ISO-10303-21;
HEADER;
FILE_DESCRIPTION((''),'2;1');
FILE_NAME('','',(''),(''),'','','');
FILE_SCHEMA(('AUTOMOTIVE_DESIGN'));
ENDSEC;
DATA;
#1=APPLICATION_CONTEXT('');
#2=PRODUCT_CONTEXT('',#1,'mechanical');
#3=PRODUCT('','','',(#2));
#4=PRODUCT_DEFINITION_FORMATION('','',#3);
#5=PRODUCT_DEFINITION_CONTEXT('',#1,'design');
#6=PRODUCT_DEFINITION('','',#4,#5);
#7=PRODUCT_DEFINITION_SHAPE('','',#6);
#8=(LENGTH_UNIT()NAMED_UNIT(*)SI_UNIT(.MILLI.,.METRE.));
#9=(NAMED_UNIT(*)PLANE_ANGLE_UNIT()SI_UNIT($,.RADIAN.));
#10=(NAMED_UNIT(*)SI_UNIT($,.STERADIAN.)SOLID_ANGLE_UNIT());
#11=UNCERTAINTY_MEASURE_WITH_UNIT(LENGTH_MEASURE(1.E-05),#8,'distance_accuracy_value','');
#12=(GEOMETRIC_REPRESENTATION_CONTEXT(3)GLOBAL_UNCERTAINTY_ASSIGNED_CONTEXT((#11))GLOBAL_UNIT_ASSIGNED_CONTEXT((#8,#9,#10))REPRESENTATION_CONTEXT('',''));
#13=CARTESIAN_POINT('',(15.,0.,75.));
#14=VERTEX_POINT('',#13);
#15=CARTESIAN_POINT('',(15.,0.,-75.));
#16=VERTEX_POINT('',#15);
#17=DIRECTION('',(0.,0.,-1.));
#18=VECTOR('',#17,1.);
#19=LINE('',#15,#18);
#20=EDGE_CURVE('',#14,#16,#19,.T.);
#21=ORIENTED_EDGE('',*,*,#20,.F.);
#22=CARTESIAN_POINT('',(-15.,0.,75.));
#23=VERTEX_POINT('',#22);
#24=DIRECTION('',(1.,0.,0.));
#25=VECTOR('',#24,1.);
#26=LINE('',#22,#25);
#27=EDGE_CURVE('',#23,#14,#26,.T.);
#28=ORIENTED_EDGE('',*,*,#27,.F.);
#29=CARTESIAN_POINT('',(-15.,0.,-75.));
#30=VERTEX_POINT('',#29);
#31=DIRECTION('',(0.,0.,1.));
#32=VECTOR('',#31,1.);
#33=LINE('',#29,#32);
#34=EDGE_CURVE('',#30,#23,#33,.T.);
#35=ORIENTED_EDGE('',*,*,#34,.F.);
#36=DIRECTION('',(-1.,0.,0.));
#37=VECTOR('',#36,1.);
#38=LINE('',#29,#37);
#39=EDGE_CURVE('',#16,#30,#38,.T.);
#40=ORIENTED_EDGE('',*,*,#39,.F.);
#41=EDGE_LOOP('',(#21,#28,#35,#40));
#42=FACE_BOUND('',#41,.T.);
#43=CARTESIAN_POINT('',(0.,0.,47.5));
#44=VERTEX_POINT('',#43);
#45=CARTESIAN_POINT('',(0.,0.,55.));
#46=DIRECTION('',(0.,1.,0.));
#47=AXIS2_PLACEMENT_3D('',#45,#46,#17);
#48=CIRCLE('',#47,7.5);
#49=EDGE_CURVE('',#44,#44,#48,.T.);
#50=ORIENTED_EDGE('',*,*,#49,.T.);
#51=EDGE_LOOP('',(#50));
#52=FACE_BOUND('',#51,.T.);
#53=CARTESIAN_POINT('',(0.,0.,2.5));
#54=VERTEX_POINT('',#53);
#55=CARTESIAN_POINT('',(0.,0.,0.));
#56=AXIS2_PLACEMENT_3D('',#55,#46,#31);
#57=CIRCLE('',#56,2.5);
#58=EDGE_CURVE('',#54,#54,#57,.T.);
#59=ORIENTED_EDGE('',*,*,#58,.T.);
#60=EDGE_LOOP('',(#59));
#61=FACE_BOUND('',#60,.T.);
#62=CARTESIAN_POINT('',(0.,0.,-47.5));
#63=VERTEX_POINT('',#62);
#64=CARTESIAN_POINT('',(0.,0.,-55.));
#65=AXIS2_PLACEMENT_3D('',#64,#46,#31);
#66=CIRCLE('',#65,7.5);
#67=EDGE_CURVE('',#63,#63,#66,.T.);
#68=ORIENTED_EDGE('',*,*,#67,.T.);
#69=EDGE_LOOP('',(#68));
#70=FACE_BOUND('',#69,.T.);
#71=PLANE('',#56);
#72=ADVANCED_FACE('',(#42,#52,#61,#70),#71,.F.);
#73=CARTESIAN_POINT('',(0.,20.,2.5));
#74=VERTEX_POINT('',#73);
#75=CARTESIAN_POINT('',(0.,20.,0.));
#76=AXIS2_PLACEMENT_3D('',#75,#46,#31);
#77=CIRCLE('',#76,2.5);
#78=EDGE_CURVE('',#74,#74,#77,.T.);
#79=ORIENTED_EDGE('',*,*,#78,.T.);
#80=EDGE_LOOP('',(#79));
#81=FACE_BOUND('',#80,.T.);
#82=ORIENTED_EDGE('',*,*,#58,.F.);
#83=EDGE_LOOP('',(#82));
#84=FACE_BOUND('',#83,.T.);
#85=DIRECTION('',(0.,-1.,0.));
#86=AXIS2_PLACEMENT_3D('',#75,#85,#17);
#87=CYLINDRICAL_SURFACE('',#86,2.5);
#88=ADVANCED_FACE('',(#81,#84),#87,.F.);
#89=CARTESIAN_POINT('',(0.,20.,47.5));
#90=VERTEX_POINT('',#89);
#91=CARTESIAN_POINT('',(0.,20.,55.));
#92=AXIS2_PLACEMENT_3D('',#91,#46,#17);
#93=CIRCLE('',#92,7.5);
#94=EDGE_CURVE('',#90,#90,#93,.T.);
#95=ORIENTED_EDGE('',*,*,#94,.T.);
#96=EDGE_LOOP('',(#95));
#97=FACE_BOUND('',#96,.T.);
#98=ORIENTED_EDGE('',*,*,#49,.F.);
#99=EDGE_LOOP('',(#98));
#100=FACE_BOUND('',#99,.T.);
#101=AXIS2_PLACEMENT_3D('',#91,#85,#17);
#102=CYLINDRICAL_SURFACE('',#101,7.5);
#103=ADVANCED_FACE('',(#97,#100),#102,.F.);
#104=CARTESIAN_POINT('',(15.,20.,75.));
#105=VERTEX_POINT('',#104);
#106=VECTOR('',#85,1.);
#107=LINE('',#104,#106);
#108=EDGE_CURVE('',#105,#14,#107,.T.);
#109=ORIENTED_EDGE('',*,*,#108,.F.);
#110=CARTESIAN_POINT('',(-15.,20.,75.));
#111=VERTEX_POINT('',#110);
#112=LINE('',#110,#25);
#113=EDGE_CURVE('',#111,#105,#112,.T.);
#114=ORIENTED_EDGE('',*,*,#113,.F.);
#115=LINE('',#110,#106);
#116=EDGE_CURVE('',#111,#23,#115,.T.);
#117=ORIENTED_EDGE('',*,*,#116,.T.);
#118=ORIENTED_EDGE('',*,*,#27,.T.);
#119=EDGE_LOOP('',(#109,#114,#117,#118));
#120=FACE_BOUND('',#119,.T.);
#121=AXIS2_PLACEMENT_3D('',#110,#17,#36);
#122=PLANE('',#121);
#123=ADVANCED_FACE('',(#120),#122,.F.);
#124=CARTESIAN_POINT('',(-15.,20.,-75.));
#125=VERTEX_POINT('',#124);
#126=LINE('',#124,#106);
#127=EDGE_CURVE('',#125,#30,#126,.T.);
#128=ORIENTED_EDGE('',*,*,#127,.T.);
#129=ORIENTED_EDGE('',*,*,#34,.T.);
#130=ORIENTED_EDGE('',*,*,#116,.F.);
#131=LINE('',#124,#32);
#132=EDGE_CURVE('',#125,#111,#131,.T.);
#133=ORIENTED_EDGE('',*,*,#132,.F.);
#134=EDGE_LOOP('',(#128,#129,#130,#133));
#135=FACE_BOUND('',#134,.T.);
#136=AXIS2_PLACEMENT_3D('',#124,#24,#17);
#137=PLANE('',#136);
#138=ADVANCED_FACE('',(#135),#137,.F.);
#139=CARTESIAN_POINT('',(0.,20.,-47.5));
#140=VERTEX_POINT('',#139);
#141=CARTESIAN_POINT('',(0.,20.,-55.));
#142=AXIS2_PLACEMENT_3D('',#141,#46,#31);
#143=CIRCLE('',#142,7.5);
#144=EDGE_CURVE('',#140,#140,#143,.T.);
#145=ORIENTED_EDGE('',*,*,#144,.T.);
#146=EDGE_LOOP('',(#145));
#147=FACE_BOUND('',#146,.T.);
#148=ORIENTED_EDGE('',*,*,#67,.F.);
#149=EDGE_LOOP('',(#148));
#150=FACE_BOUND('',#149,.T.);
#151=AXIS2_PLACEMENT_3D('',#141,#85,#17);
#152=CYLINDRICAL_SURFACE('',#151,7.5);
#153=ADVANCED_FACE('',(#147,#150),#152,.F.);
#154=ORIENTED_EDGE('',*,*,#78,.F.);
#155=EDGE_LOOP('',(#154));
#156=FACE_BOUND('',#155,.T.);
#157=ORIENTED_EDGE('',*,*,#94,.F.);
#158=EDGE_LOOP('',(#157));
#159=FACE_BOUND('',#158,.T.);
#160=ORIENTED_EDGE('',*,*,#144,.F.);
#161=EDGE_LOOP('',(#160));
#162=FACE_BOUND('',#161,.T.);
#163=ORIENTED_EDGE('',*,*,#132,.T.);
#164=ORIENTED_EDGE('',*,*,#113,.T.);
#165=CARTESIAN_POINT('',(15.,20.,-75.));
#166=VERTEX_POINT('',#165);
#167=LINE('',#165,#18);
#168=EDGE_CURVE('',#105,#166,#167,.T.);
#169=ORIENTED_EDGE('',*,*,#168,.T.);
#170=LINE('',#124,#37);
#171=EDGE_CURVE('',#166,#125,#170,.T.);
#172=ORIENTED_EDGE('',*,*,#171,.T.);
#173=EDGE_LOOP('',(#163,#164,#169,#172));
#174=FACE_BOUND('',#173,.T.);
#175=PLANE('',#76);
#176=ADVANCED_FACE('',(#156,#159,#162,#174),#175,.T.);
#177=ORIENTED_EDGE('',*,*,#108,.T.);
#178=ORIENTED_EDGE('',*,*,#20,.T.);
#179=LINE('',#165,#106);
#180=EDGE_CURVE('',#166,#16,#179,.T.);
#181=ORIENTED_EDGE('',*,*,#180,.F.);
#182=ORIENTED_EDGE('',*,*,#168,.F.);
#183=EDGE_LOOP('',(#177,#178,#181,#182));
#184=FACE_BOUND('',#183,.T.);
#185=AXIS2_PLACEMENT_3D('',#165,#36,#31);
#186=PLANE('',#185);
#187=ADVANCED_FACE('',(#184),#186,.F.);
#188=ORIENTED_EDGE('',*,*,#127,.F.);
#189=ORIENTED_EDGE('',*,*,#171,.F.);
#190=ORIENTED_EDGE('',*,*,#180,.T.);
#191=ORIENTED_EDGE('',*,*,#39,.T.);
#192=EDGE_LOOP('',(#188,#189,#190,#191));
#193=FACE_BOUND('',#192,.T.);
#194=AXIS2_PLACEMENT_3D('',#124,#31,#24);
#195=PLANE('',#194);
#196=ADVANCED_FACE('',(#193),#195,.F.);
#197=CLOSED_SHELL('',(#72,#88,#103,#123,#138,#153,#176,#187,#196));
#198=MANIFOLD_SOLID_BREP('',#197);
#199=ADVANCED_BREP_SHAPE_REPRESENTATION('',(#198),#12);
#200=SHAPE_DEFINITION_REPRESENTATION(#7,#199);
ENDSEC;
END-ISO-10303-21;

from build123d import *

# Parameters (mm, degrees)
SKETCH1_W           = 30
SKETCH1_H           = 150
SKETCH1_R           = 7.5
SKETCH1_R_2         = 2.5
BOSS_EXTRUDE1_DEPTH = 20


with BuildPart() as part:
    # Sketch1 → Boss-Extrude1 (new body)
    with BuildSketch(Plane(origin=(0, 0, 0), x_dir=(1, 0, 0), z_dir=(0, 1, 0))):
        Rectangle(SKETCH1_W, SKETCH1_H)
        with Locations(Location((0, 55, 0), (0, 0, 270))):
            Circle(SKETCH1_R, mode=Mode.SUBTRACT)
        with Locations(Location((0, -55, 0), (0, 0, 90))):
            Circle(SKETCH1_R, mode=Mode.SUBTRACT)
        with Locations(Location((0, 0, 0), (0, 0, 270))):
            Circle(SKETCH1_R_2, mode=Mode.SUBTRACT)
    extrude(amount=BOSS_EXTRUDE1_DEPTH)


solid = part.part
